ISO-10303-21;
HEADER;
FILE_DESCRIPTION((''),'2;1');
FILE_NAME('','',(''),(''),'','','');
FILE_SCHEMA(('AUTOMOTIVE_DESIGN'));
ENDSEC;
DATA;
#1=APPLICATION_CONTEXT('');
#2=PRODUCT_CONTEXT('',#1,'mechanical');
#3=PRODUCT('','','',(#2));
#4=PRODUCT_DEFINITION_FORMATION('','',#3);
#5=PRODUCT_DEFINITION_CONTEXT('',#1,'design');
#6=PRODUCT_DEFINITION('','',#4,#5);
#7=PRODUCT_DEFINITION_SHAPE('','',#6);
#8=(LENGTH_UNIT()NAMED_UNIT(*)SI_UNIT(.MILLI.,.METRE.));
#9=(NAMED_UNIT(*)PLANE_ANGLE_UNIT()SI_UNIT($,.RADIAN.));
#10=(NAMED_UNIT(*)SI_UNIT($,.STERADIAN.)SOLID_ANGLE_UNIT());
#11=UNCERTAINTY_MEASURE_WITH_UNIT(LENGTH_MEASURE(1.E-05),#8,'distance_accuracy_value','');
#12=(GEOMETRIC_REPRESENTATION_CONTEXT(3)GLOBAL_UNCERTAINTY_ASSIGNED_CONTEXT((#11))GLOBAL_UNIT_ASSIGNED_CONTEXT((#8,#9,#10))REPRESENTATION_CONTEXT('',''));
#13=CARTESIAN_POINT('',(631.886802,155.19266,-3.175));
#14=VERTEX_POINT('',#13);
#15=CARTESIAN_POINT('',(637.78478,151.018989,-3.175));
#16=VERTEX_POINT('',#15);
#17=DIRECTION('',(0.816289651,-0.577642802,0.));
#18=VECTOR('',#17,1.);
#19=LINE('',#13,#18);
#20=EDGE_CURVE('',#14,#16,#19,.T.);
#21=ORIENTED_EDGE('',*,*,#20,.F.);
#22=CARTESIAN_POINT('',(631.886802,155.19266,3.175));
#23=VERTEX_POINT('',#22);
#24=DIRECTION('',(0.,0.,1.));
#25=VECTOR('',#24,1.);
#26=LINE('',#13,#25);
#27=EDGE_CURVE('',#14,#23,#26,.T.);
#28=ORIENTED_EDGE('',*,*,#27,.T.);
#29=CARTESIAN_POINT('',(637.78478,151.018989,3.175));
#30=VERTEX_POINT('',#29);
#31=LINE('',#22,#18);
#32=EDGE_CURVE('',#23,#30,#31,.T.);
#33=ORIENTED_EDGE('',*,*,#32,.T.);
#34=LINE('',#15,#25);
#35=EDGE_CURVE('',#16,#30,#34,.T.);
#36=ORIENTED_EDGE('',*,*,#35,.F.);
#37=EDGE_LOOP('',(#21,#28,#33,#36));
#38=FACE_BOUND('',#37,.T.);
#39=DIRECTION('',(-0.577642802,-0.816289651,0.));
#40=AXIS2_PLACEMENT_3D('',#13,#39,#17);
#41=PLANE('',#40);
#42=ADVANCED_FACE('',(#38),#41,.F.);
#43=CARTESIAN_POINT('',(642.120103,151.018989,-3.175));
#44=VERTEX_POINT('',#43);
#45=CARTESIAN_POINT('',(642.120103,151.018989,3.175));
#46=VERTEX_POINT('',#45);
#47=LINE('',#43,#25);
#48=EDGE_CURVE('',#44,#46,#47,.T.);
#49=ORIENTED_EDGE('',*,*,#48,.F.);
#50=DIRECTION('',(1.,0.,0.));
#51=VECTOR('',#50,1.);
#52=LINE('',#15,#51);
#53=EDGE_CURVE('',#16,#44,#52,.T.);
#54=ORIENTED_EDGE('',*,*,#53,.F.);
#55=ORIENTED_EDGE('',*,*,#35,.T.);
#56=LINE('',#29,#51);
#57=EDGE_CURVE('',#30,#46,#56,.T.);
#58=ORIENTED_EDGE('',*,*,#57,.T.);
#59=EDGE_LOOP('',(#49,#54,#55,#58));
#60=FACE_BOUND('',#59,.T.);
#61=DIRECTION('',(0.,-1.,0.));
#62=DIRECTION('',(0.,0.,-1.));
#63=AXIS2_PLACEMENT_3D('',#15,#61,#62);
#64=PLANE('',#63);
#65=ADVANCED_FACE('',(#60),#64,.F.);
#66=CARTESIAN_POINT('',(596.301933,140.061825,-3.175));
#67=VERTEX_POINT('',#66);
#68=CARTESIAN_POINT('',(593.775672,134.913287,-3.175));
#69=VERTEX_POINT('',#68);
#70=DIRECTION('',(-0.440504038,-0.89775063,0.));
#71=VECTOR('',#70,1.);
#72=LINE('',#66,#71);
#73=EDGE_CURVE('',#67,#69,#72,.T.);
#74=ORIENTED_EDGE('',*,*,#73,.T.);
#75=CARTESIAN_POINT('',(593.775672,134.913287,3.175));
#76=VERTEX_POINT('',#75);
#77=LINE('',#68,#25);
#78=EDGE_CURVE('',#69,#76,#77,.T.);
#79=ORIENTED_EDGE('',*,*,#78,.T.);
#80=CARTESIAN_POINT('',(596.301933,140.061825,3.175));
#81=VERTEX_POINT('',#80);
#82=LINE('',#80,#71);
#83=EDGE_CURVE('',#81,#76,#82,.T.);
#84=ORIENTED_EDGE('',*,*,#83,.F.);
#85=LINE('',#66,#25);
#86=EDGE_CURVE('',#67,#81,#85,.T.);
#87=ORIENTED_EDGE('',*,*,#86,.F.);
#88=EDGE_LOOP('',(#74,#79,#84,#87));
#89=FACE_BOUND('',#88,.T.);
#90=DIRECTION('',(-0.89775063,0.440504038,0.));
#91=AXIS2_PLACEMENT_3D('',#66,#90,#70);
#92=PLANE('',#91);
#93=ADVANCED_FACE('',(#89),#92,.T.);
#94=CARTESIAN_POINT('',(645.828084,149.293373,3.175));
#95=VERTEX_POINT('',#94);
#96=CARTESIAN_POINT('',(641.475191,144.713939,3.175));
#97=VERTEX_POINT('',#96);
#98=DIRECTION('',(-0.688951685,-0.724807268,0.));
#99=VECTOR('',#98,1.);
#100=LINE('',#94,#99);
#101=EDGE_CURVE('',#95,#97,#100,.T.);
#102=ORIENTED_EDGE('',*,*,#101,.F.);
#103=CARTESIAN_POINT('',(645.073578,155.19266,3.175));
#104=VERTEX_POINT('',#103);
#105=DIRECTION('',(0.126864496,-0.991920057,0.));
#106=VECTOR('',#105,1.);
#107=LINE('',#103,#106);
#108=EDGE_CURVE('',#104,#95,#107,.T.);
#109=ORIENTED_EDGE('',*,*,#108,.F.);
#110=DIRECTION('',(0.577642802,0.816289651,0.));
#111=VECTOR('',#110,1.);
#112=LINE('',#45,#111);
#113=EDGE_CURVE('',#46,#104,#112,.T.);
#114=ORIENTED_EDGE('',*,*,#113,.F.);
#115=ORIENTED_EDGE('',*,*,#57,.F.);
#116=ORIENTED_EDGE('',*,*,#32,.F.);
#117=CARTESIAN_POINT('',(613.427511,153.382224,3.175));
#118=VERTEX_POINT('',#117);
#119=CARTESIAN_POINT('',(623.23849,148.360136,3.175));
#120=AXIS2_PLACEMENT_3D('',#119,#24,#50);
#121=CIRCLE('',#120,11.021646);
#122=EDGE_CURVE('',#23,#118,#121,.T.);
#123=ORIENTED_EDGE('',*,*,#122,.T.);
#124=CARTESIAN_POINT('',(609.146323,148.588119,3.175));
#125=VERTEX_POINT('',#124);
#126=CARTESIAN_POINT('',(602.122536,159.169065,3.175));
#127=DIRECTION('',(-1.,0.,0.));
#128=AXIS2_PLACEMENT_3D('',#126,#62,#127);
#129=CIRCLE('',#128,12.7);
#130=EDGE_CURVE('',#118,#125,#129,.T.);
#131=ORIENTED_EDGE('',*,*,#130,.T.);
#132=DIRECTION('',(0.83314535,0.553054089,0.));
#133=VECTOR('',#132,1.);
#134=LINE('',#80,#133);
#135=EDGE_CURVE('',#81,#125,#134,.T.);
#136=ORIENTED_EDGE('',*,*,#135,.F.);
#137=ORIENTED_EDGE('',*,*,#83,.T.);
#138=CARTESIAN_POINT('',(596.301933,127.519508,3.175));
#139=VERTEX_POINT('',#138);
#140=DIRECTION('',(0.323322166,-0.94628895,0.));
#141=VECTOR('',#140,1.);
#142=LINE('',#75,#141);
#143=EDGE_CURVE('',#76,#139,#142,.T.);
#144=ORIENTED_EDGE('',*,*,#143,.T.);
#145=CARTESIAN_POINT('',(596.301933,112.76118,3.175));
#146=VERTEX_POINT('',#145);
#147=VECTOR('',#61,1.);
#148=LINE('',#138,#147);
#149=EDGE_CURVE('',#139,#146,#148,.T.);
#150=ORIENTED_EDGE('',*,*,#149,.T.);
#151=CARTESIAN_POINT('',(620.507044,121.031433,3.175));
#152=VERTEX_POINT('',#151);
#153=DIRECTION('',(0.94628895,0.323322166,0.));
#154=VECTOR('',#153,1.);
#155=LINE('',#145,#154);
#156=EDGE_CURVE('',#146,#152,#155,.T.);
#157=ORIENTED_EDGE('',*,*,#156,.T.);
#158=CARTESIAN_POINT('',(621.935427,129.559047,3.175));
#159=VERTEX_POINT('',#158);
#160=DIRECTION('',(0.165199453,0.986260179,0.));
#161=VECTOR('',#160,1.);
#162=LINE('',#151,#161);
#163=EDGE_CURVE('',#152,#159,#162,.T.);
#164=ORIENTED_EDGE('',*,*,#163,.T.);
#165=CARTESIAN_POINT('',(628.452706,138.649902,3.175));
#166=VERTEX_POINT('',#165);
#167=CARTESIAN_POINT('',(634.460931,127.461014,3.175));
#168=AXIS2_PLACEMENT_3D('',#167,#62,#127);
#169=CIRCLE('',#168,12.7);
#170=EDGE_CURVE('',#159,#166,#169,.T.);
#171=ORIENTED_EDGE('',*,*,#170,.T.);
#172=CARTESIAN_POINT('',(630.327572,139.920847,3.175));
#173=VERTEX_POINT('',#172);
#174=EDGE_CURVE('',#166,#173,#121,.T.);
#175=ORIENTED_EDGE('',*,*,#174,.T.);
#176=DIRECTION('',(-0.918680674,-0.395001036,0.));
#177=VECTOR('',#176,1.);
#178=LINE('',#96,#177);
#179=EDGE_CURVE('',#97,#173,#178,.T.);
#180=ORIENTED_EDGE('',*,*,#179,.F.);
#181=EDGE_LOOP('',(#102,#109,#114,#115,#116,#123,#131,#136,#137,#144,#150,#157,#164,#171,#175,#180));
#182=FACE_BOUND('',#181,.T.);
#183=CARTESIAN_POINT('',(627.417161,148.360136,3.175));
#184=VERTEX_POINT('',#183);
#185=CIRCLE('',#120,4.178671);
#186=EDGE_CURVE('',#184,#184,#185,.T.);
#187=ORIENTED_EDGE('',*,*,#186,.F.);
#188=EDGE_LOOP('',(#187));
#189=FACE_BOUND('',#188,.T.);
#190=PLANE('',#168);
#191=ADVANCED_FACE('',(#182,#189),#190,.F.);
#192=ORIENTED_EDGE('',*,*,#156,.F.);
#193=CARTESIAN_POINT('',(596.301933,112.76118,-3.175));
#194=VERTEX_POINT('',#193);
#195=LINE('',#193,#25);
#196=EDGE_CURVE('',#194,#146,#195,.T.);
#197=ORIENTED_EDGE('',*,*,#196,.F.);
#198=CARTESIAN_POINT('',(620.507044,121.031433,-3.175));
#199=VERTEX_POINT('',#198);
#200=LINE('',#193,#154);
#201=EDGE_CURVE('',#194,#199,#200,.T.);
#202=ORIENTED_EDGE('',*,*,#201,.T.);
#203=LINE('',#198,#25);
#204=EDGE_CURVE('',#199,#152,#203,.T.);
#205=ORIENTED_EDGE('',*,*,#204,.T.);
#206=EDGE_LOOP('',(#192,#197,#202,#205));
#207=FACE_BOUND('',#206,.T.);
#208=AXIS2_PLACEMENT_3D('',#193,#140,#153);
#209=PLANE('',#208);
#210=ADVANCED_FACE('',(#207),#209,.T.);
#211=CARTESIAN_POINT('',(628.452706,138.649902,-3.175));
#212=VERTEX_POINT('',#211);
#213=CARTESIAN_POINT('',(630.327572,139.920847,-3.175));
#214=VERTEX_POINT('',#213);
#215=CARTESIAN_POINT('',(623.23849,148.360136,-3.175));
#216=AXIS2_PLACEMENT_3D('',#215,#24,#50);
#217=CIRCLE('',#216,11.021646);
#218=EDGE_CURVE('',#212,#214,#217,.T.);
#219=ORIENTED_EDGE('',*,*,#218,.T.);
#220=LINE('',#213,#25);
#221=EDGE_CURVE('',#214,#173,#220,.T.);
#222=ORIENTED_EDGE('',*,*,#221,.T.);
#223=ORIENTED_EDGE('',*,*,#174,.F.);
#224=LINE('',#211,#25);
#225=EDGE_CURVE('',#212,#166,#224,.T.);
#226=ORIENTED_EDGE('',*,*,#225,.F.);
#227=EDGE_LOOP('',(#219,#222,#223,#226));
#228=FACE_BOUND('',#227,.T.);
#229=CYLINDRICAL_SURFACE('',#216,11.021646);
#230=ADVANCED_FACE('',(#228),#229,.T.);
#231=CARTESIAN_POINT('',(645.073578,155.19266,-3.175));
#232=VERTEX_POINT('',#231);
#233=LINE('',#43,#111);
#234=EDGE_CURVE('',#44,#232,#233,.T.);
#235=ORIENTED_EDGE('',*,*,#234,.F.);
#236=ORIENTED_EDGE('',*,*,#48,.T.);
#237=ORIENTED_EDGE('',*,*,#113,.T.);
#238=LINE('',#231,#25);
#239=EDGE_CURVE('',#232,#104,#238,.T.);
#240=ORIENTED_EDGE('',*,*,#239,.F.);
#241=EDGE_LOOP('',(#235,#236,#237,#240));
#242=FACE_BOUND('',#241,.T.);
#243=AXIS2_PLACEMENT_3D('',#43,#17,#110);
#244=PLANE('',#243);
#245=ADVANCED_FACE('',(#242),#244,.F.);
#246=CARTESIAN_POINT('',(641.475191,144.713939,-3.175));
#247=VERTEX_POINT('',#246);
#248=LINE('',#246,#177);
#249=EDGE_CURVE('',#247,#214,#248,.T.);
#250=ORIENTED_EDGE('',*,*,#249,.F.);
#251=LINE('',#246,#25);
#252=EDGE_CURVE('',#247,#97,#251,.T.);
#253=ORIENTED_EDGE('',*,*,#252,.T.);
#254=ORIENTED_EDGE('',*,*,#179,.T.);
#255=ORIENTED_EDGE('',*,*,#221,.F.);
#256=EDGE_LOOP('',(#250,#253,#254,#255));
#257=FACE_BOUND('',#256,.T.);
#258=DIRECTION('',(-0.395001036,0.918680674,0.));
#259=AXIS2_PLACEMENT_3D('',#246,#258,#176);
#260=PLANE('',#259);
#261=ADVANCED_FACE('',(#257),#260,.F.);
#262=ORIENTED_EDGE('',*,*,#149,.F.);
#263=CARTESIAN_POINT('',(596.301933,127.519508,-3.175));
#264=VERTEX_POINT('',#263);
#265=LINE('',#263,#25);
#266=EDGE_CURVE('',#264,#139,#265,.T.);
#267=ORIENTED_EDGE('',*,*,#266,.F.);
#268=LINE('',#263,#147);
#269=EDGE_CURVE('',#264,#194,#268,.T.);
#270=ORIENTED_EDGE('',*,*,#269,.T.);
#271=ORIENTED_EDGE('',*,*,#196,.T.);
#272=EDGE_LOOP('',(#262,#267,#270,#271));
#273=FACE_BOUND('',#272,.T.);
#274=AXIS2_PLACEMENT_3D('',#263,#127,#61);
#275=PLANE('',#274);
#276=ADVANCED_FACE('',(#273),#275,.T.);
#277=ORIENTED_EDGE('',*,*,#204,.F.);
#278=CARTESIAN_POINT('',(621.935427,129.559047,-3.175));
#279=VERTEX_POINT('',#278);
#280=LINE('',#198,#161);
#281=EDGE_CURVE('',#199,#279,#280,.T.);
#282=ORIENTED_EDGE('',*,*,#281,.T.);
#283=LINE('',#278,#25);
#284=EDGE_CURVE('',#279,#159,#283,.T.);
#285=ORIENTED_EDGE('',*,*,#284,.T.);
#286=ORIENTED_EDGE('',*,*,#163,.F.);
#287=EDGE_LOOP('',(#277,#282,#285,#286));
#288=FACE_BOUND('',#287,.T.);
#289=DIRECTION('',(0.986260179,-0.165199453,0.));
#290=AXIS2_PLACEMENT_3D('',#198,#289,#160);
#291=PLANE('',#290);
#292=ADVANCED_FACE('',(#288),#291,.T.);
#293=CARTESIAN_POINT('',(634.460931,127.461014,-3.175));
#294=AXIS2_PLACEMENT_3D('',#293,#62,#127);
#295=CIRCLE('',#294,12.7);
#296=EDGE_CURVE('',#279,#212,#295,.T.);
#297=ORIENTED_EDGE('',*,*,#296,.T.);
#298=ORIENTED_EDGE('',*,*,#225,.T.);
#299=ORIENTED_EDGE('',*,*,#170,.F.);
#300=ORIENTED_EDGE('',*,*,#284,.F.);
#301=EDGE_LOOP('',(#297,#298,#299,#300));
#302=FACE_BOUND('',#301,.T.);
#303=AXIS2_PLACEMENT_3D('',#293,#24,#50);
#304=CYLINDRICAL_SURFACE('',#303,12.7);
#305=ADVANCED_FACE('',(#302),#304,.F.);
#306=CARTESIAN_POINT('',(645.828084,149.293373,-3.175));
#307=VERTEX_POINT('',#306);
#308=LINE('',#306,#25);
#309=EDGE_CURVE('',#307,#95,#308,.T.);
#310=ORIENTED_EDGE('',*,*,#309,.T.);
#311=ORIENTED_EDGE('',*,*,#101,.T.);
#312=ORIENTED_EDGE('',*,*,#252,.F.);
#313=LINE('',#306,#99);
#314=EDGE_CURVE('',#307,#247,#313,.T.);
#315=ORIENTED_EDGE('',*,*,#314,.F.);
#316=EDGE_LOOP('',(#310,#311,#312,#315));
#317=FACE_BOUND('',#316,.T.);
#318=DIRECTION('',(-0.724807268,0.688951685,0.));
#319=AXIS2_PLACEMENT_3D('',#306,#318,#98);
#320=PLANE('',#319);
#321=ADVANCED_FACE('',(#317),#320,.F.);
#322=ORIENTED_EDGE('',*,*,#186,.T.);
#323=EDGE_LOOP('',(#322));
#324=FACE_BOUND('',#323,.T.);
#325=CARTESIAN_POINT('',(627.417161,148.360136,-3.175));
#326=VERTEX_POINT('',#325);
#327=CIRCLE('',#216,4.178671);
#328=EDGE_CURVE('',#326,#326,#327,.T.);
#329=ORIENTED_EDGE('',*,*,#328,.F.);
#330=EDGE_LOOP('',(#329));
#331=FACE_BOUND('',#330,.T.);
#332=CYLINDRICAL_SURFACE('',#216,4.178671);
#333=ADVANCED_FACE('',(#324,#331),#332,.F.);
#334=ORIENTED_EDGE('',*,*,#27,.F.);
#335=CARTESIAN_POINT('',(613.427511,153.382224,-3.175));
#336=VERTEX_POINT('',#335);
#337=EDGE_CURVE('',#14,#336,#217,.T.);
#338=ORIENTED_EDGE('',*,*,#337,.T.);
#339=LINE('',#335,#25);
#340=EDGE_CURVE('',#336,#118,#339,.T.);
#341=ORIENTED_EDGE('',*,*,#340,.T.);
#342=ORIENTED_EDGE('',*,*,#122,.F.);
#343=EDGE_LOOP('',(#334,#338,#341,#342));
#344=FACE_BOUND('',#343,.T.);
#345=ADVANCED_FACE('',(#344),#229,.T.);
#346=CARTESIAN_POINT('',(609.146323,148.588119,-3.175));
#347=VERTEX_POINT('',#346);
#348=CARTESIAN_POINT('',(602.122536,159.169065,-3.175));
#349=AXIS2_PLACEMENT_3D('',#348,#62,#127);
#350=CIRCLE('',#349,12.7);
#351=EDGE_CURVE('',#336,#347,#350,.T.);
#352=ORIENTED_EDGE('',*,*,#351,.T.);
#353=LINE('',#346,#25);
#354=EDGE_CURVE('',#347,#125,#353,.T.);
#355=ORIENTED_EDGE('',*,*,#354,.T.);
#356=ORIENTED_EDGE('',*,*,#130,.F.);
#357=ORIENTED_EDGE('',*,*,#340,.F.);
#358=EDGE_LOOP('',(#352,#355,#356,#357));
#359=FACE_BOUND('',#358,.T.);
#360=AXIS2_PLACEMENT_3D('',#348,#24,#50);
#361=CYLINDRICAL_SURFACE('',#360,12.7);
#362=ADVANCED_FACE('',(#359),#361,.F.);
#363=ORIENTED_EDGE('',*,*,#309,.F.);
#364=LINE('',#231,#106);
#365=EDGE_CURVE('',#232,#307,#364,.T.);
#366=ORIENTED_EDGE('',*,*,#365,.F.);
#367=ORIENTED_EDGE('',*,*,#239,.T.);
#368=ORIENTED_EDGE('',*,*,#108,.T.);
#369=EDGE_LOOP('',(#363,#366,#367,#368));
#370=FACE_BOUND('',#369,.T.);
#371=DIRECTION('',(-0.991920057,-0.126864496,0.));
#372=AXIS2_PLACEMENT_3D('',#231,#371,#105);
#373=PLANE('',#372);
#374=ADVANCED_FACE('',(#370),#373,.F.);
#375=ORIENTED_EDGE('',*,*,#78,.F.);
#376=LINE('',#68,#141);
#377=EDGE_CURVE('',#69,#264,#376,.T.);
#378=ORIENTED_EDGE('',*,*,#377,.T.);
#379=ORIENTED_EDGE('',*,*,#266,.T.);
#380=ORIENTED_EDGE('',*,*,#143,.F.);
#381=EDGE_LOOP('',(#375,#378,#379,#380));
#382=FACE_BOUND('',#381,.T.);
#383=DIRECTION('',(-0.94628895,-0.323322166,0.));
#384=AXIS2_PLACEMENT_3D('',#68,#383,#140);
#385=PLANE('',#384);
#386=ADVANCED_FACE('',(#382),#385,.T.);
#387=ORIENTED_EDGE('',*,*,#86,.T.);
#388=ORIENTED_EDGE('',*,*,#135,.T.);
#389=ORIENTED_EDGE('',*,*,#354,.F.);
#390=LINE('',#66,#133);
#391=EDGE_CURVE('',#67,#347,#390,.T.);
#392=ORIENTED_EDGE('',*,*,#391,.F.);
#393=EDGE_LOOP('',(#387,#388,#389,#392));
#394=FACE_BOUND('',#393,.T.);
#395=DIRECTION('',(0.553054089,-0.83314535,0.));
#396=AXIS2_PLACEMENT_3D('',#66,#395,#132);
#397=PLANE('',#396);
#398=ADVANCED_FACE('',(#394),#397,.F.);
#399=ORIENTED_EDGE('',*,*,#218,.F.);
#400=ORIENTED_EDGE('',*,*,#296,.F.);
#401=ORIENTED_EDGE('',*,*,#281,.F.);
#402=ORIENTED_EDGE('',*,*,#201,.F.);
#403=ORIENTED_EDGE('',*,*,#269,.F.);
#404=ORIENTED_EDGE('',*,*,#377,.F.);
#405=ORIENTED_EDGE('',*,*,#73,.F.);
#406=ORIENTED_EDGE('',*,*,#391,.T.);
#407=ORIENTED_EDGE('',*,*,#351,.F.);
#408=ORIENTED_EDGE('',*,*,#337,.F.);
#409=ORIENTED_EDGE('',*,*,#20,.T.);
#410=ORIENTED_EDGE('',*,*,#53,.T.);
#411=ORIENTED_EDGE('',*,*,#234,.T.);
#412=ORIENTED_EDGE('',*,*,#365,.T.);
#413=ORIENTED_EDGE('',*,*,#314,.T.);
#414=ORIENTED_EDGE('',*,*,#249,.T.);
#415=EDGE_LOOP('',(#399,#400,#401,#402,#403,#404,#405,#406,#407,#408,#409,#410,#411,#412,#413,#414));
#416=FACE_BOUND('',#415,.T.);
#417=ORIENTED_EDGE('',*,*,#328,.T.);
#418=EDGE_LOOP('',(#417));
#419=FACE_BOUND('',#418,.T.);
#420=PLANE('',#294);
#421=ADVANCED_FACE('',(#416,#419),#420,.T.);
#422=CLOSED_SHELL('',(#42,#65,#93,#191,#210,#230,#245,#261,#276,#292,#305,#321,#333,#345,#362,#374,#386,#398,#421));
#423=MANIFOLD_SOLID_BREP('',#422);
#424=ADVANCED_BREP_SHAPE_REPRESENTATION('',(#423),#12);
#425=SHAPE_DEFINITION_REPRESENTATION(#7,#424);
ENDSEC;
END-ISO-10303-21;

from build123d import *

# Parameters (mm, degrees)
BOSS_EXTRUDE1_DEPTH      = 3.175
BOSS_EXTRUDE1_DEPTH_BACK = 3.175
SKETCH1_R                = 4.178670833


with BuildPart() as part:
    # Sketch1 → Boss-Extrude1 (new, two sides: drawn at the far end of the back side and taken through both)
    with BuildSketch(Plane.XY.offset(-BOSS_EXTRUDE1_DEPTH_BACK)):
        with BuildLine():
            Line((596.301932932, 140.061825094), (593.775672351, 134.913286528))
            Line((593.775672351, 134.913286528), (596.301932932, 127.519508045))
            Line((596.301932932, 127.519508045), (596.301932932, 112.761180415))
            Line((596.301932932, 112.761180415), (620.507043959, 121.0314333))
            Line((620.507043959, 121.0314333), (621.935426787, 129.559046913))
            ThreePointArc((621.935426787, 129.559046913), (624.139317927, 134.860628873), (628.452705625, 138.649902417))
            ThreePointArc((628.452705625, 138.649902417), (629.422874429, 139.237084375), (630.327572389, 139.920847318))
            Line((630.327572389, 139.920847318), (641.475190915, 144.713939185))
            Line((641.475190915, 144.713939185), (645.828084101, 149.293372969))
            Line((645.828084101, 149.293372969), (645.073577651, 155.192660049))
            Line((645.073577651, 155.192660049), (642.120102738, 151.018989056))
            Line((642.120102738, 151.018989056), (637.784779863, 151.018989056))
            Line((637.784779863, 151.018989056), (631.886802035, 155.192660049))
            ThreePointArc((631.886802035, 155.192660049), (622.162679723, 159.329151932), (613.427511309, 153.382223935))
            ThreePointArc((613.427511309, 153.382223935), (611.595219928, 150.709853801), (609.146322902, 148.588119322))
            Line((609.146322902, 148.588119322), (596.301932932, 140.061825094))
        make_face()
        with Locations((623.238490422, 148.360136067)):
            Circle(SKETCH1_R, mode=Mode.SUBTRACT)
    extrude(amount=BOSS_EXTRUDE1_DEPTH + BOSS_EXTRUDE1_DEPTH_BACK)


solid = part.part
